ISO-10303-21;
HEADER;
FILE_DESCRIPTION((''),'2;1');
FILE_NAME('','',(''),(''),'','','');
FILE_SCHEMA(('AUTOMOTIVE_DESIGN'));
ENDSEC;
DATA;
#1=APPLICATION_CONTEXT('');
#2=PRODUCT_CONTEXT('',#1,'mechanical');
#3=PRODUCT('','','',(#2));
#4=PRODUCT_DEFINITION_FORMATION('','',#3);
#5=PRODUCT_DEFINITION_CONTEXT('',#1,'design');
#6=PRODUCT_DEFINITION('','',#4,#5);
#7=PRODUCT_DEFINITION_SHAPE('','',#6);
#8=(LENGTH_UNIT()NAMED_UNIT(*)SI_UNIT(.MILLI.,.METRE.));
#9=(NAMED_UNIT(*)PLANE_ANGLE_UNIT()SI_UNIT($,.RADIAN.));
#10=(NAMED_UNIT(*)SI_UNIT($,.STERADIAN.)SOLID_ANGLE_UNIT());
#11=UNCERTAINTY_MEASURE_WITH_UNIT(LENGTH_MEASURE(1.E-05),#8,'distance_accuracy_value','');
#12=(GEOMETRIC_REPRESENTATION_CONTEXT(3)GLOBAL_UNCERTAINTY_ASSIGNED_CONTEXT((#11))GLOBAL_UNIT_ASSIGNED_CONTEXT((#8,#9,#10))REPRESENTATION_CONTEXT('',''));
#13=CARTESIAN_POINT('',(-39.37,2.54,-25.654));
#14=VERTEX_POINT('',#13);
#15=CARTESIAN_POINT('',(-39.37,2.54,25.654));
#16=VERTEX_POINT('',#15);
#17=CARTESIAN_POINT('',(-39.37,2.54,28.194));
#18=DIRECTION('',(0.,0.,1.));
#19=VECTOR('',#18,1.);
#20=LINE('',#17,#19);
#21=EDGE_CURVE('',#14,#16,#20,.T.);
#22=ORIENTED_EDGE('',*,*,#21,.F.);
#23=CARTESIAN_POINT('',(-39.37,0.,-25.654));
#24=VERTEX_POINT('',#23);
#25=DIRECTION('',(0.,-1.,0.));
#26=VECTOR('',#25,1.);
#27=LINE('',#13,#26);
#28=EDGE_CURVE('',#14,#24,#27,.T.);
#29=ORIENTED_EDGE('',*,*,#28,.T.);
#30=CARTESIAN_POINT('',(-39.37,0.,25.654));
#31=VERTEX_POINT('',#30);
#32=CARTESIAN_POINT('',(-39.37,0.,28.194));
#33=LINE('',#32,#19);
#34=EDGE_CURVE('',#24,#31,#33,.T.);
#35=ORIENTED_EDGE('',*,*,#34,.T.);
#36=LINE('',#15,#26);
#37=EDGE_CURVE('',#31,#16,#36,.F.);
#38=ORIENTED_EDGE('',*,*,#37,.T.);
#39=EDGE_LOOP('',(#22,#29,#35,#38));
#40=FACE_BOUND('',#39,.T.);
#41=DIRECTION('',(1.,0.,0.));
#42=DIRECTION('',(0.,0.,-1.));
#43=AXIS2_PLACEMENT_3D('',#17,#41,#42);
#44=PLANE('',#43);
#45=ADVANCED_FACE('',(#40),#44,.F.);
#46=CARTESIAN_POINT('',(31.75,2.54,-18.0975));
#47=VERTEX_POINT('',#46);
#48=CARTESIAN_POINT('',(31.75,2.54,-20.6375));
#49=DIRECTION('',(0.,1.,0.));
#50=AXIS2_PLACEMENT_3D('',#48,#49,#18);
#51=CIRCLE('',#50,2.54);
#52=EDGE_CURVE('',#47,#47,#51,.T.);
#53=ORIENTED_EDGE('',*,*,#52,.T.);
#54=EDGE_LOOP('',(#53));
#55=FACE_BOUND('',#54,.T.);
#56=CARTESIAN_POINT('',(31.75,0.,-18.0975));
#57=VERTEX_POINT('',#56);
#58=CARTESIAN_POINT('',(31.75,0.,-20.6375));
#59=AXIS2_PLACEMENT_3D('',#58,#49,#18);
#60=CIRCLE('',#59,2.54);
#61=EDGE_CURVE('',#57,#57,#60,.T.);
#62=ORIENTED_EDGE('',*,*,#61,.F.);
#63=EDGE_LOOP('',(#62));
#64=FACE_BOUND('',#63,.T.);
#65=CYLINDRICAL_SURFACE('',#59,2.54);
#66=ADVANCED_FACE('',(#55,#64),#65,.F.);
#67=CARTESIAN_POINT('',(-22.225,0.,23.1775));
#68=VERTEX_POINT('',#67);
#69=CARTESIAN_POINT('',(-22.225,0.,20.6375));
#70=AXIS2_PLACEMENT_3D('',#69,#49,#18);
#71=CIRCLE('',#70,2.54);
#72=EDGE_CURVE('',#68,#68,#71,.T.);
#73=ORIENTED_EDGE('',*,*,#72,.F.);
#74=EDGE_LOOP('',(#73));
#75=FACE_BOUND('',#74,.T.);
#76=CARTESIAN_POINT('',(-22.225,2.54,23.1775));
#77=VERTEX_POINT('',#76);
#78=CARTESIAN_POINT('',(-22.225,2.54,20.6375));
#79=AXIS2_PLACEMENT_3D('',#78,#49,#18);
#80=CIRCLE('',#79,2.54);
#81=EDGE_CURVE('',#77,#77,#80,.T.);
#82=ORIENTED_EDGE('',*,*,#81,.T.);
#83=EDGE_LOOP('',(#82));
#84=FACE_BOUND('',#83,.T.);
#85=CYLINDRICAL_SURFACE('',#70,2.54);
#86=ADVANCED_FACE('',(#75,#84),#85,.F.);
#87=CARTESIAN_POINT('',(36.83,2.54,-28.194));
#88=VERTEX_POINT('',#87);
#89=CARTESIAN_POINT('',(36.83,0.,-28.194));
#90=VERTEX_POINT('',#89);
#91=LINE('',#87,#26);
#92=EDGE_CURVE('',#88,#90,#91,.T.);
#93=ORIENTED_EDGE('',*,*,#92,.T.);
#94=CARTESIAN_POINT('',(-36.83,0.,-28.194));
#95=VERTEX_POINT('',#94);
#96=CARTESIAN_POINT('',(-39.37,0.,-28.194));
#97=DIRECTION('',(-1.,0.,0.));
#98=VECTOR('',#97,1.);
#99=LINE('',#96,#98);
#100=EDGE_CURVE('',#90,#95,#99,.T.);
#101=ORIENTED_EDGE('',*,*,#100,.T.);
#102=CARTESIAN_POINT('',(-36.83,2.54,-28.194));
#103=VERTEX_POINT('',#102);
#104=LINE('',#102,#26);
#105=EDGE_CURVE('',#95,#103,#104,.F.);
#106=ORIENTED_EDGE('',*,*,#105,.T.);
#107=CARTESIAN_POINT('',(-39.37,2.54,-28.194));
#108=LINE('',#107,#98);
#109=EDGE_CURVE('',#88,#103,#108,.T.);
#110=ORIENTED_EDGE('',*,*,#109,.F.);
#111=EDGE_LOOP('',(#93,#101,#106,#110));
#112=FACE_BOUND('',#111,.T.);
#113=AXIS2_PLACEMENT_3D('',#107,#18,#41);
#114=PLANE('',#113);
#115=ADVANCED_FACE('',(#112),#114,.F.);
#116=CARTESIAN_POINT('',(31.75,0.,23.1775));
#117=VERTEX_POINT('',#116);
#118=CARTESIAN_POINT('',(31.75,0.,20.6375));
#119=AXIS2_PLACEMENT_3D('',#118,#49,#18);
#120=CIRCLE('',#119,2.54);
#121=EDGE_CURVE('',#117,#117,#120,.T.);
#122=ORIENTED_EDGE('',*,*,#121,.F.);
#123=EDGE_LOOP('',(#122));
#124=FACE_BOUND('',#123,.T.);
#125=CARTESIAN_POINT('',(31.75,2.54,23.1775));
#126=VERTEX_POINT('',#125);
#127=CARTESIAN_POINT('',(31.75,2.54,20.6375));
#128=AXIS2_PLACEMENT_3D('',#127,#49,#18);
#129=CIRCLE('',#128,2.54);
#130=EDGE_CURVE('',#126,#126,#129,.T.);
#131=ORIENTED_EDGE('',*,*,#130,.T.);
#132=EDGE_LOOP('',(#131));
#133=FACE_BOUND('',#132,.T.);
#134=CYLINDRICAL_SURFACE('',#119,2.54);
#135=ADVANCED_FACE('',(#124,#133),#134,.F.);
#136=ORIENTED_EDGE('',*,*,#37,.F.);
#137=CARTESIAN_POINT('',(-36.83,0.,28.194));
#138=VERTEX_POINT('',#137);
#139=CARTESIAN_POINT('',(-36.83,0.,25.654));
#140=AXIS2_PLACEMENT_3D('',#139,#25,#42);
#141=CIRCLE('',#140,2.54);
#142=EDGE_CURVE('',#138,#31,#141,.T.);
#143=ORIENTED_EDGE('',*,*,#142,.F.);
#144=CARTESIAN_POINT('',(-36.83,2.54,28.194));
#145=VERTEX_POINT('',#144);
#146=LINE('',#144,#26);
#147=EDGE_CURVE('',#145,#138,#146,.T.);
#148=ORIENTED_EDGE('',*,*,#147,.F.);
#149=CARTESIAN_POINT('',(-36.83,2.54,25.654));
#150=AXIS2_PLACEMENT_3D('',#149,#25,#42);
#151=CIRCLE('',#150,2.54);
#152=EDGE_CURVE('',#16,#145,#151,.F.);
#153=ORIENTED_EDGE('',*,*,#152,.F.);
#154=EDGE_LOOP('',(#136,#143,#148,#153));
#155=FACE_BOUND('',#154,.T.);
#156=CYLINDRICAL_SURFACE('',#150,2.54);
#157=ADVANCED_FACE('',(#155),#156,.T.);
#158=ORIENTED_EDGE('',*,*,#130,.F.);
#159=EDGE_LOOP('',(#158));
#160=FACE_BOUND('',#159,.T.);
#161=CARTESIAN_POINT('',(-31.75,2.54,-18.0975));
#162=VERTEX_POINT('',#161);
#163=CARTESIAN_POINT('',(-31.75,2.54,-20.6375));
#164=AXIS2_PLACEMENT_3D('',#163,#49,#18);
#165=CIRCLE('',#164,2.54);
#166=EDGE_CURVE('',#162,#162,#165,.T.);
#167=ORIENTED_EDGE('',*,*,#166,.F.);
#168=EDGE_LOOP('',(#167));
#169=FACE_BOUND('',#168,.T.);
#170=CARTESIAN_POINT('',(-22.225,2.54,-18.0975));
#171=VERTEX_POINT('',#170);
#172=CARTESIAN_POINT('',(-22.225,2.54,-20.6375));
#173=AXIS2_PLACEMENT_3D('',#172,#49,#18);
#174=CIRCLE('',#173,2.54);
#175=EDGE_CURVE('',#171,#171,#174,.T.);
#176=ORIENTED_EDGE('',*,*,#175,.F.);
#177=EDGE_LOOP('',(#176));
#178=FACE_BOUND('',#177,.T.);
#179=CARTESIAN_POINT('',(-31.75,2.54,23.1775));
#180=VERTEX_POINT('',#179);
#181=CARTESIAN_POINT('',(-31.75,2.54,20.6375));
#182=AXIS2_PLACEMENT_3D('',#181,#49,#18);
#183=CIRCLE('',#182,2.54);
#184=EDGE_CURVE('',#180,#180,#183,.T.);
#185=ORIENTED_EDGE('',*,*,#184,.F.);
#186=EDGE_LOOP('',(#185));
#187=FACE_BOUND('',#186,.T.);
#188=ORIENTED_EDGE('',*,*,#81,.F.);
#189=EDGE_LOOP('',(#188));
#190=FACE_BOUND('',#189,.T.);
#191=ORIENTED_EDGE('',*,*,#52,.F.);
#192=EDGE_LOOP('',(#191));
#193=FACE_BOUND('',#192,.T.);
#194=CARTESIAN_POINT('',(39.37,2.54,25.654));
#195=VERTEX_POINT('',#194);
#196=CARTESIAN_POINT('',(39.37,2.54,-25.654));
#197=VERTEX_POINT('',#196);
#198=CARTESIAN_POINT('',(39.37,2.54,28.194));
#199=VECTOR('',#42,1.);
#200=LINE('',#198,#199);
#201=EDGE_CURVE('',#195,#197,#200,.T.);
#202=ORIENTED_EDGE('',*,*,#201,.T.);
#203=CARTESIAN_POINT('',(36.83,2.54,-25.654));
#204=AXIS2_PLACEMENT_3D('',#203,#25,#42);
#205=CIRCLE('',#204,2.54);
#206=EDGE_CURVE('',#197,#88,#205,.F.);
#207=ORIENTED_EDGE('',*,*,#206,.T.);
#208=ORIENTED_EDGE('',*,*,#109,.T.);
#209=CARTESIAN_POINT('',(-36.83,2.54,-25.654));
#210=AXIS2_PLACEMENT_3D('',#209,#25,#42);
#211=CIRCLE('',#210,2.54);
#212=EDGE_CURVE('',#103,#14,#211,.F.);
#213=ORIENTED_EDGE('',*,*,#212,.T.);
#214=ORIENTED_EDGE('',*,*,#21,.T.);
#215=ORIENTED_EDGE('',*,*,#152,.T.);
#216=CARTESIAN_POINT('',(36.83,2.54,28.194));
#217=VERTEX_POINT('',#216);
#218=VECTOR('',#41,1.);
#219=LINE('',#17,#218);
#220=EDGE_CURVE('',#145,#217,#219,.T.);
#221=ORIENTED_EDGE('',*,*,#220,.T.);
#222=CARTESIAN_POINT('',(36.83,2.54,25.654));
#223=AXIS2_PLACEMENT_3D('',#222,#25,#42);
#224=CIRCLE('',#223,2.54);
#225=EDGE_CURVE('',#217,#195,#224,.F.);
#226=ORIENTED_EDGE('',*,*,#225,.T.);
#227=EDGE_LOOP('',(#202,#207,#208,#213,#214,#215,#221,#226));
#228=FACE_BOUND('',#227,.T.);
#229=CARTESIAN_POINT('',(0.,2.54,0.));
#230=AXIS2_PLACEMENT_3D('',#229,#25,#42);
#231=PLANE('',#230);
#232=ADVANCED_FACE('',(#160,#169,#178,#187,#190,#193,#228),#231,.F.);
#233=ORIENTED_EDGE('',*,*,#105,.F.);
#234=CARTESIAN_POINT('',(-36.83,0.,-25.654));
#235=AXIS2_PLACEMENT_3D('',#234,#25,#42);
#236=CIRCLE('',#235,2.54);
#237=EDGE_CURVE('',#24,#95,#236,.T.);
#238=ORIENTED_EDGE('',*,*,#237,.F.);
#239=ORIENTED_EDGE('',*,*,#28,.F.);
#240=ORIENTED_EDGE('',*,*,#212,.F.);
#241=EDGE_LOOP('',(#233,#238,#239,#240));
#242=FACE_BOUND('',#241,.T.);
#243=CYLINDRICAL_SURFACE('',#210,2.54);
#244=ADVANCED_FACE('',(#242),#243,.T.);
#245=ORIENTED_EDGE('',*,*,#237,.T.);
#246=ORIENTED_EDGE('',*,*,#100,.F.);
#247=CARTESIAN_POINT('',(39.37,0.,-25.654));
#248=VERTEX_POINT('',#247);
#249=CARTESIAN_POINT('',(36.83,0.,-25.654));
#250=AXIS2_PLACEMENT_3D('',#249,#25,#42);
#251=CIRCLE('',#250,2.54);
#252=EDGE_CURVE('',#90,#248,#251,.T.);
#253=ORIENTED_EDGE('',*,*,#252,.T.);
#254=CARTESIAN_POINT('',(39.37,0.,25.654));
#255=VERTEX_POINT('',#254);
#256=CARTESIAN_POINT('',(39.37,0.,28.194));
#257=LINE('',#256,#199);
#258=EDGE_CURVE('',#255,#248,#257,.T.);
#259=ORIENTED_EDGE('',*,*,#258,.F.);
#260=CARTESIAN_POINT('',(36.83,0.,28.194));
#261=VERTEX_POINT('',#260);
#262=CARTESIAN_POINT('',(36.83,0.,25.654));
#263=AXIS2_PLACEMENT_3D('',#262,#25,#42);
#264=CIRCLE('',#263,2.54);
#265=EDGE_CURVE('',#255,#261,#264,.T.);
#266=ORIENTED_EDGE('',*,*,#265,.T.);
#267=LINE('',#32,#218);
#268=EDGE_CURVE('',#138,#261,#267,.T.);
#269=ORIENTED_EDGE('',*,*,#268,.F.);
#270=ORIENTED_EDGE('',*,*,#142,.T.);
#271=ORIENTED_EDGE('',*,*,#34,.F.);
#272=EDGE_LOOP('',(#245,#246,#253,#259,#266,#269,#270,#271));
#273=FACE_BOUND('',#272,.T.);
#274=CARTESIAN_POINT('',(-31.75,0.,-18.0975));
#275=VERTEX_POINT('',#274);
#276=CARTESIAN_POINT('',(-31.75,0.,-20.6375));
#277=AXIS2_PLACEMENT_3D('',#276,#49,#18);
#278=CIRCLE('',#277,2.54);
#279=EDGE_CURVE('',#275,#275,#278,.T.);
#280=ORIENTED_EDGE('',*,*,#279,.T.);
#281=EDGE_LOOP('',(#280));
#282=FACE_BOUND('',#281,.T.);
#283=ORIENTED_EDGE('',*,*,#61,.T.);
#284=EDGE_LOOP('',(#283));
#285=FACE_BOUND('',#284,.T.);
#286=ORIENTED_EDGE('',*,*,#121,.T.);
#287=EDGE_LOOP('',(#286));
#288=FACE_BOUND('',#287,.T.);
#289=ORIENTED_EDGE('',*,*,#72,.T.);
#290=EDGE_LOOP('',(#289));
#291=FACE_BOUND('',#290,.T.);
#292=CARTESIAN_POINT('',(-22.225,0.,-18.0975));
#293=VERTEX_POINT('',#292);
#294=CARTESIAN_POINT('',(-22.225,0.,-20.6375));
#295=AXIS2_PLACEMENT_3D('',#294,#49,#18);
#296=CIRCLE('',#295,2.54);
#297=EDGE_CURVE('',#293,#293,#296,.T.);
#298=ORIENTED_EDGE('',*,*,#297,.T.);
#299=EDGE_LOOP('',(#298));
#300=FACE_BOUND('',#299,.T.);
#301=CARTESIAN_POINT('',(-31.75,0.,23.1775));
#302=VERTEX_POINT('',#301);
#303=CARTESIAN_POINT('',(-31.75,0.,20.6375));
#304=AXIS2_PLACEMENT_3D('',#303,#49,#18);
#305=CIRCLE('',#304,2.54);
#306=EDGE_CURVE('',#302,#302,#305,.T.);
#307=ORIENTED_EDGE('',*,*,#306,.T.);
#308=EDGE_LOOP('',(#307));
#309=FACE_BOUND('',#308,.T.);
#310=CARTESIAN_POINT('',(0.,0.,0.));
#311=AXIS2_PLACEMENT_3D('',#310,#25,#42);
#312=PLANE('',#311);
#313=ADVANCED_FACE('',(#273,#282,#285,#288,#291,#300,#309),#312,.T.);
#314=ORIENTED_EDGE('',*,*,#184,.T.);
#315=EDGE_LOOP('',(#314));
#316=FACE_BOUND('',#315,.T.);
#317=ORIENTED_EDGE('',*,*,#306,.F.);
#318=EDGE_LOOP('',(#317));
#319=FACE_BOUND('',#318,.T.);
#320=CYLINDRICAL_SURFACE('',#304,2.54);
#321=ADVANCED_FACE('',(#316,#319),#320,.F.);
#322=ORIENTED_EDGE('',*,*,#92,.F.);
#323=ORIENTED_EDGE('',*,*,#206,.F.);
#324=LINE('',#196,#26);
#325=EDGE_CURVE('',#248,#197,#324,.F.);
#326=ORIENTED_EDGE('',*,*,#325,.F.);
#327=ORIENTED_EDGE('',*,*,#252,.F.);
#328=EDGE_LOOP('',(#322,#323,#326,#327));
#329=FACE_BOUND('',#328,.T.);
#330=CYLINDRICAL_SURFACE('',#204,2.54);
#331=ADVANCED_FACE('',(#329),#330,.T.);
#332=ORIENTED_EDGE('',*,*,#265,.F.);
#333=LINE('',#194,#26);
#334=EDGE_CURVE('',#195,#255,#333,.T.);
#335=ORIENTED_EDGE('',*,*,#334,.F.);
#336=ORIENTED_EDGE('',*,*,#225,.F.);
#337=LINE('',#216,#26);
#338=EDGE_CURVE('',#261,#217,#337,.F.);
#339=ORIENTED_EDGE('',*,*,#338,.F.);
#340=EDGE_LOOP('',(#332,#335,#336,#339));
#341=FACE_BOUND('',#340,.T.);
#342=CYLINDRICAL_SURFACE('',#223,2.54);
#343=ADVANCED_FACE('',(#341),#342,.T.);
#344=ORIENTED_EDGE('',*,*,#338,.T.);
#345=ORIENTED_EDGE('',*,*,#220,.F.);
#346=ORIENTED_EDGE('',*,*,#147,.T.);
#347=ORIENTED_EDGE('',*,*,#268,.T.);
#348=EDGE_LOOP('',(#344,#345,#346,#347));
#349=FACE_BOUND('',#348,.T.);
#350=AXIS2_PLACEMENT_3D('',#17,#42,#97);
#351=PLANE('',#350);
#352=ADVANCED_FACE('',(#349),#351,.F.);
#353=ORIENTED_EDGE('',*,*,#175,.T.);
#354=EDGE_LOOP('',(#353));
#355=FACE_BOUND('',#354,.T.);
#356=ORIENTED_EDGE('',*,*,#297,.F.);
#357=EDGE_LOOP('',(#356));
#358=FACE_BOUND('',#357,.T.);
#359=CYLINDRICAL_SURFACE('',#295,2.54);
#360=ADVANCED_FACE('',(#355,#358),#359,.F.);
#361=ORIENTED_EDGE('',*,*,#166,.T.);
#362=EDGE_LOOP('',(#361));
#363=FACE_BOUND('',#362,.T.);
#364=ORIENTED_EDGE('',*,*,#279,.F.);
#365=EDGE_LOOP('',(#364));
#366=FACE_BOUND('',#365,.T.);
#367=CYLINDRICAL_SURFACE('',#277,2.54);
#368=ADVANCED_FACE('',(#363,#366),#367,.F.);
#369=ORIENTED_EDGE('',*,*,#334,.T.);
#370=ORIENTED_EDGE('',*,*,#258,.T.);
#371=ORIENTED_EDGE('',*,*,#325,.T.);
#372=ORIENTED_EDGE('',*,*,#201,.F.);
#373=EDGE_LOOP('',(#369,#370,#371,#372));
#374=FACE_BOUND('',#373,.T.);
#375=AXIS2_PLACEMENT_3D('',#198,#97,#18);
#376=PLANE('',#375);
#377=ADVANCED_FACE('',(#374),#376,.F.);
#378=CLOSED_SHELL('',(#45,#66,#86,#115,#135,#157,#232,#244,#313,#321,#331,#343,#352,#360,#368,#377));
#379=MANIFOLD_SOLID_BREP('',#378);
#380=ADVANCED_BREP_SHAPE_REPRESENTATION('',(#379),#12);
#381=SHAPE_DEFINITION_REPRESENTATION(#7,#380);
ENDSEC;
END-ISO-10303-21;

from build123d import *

# Parameters (mm, degrees)
SKETCH1_W           = 78.74
SKETCH1_H           = 56.388
BOSS_EXTRUDE1_DEPTH = 2.54
FILLET1_R           = 2.54
SKETCH2_R           = 2.54
CUT_EXTRUDE1_DEPTH  = 2.54


with BuildPart() as part:
    # Sketch1 → Boss-Extrude1 (new body)
    with BuildSketch(Plane(origin=(0, 0, 0), x_dir=(1, 0, 0), z_dir=(0, 1, 0))):
        Rectangle(SKETCH1_W, SKETCH1_H)
    extrude(amount=BOSS_EXTRUDE1_DEPTH)

    # Fillet1
    fillet1_edges = [part.edges().sort_by_distance(p)[0] for p in [
        (39.37, 1.27, 28.194),
        (-39.37, 1.27, 28.194),
        (-39.37, 1.27, -28.194),
        (39.37, 1.27, -28.194),
    ]]
    fillet(fillet1_edges, radius=FILLET1_R)

    # Sketch2 → Cut-Extrude1 (cut)
    with BuildSketch(Plane(origin=(0, 2.54, 0), x_dir=(1, 0, 0), z_dir=(0, 1, 0))):
        with Locations(Location((31.75, 20.6375, 0), (0, 0, 270))):
            Circle(SKETCH2_R)
        with Locations(Location((31.75, -20.6375, 0), (0, 0, 270))):
            Circle(SKETCH2_R)
        with Locations(Location((-31.75, -20.6375, 0), (0, 0, 270))):
            Circle(SKETCH2_R)
        with Locations(Location((-31.75, 20.6375, 0), (0, 0, 270))):
            Circle(SKETCH2_R)
        with Locations(Location((-22.225, -20.6375, 0), (0, 0, 270))):
            Circle(SKETCH2_R)
        with Locations(Location((-22.225, 20.6375, 0), (0, 0, 270))):
            Circle(SKETCH2_R)
    extrude(amount=-CUT_EXTRUDE1_DEPTH, mode=Mode.SUBTRACT)


solid = part.part
